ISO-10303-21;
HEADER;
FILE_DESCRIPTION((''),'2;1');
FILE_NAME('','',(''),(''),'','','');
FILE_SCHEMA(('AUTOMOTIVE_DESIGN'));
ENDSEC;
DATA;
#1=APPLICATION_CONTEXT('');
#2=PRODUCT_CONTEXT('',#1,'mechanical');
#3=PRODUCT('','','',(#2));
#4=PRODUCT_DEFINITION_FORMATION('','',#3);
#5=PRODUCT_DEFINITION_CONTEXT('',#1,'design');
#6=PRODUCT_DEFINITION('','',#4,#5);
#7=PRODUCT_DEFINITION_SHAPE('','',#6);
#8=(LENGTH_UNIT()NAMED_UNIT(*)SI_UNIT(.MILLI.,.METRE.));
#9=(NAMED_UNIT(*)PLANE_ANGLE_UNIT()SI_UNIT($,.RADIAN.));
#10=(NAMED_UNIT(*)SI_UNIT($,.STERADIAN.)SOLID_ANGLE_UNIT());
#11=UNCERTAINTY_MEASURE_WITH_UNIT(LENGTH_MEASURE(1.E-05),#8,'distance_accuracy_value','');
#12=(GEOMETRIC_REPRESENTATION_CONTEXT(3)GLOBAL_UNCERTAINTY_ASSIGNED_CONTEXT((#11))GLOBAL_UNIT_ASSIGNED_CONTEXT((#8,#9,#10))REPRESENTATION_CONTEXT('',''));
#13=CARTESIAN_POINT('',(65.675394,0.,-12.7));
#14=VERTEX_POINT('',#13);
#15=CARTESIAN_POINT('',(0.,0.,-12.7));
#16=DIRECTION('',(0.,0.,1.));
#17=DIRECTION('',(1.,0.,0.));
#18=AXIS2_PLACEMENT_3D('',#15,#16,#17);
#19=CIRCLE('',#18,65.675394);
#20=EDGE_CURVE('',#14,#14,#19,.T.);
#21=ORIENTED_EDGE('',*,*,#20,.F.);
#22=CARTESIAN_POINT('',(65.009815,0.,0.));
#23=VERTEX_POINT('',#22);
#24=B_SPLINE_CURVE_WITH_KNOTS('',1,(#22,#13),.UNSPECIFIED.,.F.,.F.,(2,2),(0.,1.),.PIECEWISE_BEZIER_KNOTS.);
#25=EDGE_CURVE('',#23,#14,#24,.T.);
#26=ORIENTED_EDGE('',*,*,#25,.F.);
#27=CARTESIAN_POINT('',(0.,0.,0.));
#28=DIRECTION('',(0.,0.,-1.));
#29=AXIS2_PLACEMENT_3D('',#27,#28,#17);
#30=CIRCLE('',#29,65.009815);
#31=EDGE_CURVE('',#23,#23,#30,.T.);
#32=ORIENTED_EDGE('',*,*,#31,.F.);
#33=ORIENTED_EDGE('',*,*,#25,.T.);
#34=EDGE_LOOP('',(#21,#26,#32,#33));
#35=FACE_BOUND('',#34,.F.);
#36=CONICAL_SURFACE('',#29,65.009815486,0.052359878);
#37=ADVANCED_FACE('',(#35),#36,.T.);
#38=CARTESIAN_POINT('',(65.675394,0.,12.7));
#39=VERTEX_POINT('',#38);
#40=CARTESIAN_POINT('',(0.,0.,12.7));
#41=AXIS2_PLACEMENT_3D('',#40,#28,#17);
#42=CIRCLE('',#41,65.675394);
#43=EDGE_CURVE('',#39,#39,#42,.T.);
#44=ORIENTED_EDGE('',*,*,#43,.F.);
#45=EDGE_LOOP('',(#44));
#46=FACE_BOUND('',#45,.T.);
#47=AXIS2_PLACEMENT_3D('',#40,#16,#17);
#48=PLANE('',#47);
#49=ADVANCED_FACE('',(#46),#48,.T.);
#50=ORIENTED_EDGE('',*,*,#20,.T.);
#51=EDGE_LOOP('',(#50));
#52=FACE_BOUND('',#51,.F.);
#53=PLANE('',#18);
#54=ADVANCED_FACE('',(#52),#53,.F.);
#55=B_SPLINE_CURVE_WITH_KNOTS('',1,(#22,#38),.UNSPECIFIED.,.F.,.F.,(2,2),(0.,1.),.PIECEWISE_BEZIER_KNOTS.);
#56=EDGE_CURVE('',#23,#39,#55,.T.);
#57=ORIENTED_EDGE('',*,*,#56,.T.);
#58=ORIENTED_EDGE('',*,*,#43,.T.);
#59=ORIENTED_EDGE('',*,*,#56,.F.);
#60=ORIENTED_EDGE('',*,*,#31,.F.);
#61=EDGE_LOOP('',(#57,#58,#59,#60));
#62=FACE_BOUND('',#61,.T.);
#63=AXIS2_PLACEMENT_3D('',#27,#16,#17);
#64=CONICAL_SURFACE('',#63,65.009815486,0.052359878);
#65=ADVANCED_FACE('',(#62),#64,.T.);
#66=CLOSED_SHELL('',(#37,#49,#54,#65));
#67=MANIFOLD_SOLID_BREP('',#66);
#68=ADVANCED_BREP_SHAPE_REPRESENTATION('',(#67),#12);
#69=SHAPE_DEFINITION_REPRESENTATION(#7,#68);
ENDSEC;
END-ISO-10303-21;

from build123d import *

# Parameters (mm, degrees)
F0_R     = 65.0098154859
F1_DEPTH = 12.7
F1_TAPER = -3


with BuildPart() as f1:
    # F0 (on Top) → F1 (new body, symmetric)
    with BuildSketch(Plane.XY):
        Circle(F0_R)
    extrude(amount=F1_DEPTH, both=True, taper=F1_TAPER)


solid = f1.part
